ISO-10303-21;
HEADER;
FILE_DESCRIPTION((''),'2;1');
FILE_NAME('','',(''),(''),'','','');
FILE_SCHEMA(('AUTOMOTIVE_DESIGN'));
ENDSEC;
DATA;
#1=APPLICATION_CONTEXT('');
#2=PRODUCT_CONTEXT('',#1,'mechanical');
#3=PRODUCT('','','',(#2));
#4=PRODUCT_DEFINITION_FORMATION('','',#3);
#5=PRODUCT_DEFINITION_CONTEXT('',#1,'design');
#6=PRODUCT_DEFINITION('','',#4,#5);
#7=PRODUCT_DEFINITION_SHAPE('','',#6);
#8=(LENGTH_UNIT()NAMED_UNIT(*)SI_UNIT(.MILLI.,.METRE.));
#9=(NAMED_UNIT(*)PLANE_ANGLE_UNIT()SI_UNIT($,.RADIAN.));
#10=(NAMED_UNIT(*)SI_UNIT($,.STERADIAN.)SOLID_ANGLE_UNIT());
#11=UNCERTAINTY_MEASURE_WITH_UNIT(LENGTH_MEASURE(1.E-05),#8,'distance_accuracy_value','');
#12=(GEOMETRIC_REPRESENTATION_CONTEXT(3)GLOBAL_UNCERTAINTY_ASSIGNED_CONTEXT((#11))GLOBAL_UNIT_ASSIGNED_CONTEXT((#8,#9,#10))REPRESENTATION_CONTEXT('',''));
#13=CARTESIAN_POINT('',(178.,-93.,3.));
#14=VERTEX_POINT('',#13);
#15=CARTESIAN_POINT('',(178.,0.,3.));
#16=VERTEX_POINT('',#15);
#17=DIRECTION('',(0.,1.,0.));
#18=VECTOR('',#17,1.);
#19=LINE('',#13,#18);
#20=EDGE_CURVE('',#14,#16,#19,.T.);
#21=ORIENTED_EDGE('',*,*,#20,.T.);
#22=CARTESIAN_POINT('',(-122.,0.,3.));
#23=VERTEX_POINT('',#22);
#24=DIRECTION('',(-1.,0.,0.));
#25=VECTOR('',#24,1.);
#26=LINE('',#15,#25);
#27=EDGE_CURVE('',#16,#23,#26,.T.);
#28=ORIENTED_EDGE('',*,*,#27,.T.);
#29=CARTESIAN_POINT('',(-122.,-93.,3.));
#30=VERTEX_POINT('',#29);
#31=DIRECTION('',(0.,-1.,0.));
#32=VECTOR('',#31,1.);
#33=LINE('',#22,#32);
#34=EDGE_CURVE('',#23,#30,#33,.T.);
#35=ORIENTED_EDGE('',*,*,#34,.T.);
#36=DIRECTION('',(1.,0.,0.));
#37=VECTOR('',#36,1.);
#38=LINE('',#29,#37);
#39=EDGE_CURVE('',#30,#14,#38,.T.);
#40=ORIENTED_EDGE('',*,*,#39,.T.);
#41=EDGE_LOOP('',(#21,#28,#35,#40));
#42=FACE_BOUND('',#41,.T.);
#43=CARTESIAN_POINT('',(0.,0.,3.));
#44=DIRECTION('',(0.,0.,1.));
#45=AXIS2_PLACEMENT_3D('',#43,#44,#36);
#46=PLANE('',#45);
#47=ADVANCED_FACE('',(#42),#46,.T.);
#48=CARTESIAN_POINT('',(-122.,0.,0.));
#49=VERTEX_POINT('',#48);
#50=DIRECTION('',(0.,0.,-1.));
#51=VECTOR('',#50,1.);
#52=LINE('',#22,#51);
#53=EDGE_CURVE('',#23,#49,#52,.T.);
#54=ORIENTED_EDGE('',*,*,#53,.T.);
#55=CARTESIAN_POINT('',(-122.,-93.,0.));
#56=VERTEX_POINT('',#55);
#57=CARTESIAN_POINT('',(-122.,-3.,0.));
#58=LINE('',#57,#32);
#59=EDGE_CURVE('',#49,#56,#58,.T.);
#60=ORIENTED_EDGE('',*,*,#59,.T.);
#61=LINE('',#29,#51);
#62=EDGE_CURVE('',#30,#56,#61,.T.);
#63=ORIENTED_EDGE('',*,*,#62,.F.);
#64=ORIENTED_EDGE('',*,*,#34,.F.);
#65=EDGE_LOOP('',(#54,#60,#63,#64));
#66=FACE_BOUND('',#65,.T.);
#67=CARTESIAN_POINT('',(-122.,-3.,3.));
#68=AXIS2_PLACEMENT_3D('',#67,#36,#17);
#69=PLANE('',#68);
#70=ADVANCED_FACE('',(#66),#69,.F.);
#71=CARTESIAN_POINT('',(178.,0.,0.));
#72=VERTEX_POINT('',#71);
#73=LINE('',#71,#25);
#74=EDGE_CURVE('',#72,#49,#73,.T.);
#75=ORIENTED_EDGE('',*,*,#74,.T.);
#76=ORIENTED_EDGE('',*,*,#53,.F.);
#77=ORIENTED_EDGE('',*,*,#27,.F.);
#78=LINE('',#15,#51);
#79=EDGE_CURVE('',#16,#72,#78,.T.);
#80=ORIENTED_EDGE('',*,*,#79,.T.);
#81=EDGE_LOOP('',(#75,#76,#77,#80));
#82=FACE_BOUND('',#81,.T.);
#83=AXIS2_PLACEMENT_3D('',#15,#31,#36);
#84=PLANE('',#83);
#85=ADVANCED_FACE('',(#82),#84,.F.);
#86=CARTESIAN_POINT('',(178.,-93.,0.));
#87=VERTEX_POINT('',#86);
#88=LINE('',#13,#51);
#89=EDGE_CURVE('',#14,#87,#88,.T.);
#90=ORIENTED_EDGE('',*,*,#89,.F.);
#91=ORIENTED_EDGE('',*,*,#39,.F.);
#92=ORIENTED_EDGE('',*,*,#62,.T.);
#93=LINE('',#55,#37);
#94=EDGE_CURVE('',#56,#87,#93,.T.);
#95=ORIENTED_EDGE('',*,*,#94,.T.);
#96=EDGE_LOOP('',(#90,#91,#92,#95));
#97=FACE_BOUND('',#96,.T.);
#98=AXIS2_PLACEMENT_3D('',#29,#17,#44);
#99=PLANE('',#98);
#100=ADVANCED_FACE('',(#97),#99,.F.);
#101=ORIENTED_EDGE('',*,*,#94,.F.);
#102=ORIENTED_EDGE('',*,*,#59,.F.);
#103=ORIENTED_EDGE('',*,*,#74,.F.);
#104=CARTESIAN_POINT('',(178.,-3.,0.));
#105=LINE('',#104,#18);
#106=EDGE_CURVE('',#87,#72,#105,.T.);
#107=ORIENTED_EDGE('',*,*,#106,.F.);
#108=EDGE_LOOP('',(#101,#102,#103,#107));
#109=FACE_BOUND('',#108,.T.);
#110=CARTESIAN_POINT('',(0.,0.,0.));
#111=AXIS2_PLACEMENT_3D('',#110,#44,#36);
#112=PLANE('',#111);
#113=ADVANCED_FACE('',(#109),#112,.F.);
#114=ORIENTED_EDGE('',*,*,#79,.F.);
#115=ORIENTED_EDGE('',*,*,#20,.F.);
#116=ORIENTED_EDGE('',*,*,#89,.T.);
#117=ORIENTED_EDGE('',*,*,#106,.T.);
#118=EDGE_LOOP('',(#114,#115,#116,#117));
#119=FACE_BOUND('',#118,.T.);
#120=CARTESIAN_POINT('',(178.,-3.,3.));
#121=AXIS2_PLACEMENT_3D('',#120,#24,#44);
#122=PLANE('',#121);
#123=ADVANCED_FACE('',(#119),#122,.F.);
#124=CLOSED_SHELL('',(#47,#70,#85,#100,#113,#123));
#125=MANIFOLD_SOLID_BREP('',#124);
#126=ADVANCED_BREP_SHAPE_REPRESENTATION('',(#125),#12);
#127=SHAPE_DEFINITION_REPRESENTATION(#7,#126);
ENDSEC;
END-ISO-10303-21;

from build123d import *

# Parameters (mm, degrees)
BOSS_EXTRUDE1_DEPTH = 3


with BuildPart() as part:
    # Sketch1 → Boss-Extrude1 (new body)
    with BuildSketch(Plane.XY):
        Polygon((-122, 0), (-122, -3), (-122, -93), (178, -93), (178, -3), (178, 0), align=None)
    extrude(amount=BOSS_EXTRUDE1_DEPTH)


solid = part.part
